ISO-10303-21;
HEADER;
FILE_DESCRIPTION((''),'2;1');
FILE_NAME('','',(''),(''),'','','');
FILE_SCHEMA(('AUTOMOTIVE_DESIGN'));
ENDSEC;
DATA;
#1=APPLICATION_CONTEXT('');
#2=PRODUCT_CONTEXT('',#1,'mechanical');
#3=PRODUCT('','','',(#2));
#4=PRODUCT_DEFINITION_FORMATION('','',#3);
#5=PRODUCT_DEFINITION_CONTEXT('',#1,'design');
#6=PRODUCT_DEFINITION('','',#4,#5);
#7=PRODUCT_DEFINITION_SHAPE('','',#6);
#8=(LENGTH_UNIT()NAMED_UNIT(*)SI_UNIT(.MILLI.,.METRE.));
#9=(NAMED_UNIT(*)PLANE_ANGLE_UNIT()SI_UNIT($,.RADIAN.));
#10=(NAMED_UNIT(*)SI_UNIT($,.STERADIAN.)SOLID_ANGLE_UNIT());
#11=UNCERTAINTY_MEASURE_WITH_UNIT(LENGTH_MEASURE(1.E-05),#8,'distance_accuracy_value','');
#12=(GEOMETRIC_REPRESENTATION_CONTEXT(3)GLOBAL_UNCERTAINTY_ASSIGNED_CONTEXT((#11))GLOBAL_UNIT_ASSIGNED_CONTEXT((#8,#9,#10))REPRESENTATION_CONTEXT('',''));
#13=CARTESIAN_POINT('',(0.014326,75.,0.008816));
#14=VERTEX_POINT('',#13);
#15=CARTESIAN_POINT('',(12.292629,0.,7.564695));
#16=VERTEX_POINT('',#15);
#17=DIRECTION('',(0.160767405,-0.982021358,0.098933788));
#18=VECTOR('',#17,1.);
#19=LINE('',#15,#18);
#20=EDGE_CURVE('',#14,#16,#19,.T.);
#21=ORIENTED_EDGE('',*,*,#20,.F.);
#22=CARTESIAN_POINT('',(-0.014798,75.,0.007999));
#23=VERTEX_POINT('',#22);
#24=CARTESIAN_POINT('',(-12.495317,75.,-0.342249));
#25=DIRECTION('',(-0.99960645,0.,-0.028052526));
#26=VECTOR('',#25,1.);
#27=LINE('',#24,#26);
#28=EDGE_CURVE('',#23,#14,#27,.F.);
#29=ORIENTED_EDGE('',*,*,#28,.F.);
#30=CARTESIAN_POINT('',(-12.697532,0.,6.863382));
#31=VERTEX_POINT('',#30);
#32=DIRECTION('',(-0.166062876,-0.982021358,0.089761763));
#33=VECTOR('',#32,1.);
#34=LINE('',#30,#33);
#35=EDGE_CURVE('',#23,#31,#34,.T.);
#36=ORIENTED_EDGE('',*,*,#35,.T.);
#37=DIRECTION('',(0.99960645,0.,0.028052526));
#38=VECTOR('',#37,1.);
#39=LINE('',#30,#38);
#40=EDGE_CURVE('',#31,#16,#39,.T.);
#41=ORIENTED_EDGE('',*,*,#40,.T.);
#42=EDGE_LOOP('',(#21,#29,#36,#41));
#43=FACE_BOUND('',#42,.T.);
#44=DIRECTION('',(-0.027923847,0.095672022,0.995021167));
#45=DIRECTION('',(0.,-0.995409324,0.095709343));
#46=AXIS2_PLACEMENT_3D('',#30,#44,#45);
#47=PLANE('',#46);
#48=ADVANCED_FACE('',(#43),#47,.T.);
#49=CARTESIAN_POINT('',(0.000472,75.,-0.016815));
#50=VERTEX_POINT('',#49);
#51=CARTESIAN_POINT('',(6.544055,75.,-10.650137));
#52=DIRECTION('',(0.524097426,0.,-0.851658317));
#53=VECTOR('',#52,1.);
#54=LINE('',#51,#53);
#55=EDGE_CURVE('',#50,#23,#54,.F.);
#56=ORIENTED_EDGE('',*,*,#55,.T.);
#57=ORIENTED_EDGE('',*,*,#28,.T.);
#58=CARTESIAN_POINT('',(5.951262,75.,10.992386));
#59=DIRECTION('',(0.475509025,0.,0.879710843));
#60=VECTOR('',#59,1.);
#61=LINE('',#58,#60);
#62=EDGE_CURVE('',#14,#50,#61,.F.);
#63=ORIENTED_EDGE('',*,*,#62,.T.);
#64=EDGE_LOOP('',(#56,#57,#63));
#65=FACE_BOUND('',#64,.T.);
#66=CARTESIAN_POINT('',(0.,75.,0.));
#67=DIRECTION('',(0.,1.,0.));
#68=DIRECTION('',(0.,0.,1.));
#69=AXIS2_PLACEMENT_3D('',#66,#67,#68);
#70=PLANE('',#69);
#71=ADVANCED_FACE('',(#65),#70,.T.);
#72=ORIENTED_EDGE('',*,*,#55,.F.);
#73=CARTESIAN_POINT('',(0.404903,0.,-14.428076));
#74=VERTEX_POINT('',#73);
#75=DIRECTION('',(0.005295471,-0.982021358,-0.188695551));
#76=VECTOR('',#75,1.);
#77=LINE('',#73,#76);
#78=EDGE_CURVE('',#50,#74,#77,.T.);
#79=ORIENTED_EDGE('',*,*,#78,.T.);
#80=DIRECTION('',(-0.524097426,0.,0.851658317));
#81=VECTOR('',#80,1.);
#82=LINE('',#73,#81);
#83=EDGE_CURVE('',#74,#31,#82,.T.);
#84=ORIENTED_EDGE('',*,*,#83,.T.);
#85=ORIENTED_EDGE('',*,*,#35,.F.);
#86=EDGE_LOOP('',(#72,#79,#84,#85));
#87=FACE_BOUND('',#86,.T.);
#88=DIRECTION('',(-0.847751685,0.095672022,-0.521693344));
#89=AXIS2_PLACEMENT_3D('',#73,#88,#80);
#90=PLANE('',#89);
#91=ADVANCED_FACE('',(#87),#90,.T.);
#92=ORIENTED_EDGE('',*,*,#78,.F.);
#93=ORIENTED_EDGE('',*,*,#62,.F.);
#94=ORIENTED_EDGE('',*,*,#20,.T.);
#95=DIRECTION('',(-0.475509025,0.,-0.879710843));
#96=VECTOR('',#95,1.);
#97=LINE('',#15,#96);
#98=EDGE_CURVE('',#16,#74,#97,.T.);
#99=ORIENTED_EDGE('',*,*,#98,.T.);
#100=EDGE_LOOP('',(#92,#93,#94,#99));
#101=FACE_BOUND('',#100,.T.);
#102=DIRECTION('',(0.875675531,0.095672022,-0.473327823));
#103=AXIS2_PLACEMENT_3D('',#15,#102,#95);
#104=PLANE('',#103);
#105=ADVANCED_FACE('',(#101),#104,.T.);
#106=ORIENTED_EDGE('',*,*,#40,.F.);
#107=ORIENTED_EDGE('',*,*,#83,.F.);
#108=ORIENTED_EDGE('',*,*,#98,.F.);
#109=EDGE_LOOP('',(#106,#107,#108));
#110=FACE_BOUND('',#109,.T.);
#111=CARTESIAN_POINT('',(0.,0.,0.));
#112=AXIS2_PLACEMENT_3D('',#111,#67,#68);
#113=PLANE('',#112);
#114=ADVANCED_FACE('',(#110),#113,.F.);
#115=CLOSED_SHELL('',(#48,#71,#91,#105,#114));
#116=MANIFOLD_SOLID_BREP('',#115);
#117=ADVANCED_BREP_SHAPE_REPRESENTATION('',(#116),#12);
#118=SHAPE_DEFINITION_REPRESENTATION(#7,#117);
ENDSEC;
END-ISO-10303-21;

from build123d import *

# Parameters (mm, degrees)
EXTRUDE_1_DEPTH = 75
EXTRUDE_1_TAPER = 5.49


with BuildPart() as part:
    # 草图1 → 凸台-拉伸1 (new body)
    with BuildSketch(Plane(origin=(0, 0, 0), x_dir=(1, 0, 0), z_dir=(0, 1, 0))):
        Polygon((12.29262896, -7.564694745), (0.404903341, 14.428076331), (-12.697532301, -6.863381586), align=None)
    extrude(amount=EXTRUDE_1_DEPTH, taper=EXTRUDE_1_TAPER)


solid = part.part
